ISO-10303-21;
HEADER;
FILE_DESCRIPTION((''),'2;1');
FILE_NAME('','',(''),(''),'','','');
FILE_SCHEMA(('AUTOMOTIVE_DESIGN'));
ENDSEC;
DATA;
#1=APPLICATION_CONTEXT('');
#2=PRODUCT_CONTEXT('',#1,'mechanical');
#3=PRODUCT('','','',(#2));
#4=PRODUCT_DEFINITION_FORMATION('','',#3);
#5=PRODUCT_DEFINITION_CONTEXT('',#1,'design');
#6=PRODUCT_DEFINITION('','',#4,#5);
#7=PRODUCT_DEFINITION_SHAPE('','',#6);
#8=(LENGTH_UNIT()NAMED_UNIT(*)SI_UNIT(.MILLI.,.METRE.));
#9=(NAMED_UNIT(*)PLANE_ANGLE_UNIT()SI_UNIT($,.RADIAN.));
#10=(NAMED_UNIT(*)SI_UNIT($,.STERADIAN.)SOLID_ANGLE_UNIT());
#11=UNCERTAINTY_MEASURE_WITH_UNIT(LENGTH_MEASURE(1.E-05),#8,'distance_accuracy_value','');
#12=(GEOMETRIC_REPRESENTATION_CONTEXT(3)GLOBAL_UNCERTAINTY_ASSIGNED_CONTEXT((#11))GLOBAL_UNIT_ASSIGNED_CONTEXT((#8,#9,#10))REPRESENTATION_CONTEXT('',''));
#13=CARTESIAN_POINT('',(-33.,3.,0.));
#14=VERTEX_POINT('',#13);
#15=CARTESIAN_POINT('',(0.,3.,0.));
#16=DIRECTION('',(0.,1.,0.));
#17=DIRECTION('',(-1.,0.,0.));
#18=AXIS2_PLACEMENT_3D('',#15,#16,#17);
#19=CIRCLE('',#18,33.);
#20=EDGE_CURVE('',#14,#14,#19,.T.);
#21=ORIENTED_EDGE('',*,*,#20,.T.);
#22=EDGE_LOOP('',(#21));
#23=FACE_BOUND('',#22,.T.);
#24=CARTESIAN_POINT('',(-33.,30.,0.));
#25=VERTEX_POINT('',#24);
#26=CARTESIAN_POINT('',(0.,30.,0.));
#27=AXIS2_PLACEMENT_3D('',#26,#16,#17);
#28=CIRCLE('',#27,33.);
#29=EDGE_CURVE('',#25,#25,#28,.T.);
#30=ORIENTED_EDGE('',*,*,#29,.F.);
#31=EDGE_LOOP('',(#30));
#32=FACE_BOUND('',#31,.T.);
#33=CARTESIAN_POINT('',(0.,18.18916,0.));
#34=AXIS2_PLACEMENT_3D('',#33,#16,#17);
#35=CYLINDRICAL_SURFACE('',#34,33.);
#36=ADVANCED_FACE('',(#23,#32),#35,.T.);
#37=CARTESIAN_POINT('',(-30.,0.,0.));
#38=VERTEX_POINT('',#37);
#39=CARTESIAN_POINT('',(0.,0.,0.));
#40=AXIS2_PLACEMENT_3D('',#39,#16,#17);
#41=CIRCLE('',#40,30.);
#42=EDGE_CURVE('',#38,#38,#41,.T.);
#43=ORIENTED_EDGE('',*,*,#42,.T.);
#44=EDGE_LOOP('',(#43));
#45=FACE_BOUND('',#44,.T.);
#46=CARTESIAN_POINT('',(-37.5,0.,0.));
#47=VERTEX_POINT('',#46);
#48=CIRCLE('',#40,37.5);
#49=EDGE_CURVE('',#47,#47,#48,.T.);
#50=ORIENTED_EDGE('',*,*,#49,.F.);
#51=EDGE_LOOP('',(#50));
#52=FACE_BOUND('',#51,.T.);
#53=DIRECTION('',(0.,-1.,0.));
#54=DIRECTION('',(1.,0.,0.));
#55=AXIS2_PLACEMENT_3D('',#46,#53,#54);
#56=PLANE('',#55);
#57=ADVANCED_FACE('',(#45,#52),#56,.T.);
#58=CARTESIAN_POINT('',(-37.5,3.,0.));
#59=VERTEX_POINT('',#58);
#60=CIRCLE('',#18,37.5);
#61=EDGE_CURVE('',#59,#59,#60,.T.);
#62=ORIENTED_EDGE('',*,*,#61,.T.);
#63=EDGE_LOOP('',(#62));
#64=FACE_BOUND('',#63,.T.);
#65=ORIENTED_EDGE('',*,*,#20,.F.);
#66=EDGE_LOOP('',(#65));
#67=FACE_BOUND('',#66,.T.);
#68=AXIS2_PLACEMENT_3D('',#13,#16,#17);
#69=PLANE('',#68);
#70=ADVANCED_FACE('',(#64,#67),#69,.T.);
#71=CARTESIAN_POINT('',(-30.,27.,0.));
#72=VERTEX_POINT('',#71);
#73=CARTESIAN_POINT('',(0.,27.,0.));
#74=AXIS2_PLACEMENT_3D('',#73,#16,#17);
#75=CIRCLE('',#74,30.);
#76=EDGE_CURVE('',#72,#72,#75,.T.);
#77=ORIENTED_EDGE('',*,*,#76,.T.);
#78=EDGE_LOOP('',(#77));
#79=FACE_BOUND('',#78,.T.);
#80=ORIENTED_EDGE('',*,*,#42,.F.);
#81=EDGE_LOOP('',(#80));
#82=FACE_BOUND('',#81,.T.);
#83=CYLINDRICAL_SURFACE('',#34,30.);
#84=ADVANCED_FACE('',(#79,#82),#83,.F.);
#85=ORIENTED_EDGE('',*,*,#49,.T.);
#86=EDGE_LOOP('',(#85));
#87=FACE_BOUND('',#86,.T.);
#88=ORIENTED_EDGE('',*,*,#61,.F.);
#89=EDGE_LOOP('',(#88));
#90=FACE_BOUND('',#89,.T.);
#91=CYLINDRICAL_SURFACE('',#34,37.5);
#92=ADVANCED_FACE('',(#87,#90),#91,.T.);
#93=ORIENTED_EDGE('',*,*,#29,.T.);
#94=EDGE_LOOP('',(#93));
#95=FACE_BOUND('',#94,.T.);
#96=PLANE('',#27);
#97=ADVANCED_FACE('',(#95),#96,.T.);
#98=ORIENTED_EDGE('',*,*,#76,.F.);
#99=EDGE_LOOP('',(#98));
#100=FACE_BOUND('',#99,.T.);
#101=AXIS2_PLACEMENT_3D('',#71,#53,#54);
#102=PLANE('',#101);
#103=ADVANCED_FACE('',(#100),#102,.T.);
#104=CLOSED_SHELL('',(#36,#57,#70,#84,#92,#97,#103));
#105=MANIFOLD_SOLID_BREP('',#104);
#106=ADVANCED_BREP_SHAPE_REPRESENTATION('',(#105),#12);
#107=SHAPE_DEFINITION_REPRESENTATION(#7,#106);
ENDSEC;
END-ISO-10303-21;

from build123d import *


with BuildPart() as part:
    # Sketch3 → Revolve1 (revolve)
    with BuildSketch(Plane.XY):
        Polygon((-37.5, 0), (-30, 0), (-30, 27), (0, 27), (0, 30), (-33, 30), (-33, 3), (-37.5, 3), align=None)
    revolve(axis=Axis((0, 18.189160045, 0), (0, -1, 0)))


solid = part.part
